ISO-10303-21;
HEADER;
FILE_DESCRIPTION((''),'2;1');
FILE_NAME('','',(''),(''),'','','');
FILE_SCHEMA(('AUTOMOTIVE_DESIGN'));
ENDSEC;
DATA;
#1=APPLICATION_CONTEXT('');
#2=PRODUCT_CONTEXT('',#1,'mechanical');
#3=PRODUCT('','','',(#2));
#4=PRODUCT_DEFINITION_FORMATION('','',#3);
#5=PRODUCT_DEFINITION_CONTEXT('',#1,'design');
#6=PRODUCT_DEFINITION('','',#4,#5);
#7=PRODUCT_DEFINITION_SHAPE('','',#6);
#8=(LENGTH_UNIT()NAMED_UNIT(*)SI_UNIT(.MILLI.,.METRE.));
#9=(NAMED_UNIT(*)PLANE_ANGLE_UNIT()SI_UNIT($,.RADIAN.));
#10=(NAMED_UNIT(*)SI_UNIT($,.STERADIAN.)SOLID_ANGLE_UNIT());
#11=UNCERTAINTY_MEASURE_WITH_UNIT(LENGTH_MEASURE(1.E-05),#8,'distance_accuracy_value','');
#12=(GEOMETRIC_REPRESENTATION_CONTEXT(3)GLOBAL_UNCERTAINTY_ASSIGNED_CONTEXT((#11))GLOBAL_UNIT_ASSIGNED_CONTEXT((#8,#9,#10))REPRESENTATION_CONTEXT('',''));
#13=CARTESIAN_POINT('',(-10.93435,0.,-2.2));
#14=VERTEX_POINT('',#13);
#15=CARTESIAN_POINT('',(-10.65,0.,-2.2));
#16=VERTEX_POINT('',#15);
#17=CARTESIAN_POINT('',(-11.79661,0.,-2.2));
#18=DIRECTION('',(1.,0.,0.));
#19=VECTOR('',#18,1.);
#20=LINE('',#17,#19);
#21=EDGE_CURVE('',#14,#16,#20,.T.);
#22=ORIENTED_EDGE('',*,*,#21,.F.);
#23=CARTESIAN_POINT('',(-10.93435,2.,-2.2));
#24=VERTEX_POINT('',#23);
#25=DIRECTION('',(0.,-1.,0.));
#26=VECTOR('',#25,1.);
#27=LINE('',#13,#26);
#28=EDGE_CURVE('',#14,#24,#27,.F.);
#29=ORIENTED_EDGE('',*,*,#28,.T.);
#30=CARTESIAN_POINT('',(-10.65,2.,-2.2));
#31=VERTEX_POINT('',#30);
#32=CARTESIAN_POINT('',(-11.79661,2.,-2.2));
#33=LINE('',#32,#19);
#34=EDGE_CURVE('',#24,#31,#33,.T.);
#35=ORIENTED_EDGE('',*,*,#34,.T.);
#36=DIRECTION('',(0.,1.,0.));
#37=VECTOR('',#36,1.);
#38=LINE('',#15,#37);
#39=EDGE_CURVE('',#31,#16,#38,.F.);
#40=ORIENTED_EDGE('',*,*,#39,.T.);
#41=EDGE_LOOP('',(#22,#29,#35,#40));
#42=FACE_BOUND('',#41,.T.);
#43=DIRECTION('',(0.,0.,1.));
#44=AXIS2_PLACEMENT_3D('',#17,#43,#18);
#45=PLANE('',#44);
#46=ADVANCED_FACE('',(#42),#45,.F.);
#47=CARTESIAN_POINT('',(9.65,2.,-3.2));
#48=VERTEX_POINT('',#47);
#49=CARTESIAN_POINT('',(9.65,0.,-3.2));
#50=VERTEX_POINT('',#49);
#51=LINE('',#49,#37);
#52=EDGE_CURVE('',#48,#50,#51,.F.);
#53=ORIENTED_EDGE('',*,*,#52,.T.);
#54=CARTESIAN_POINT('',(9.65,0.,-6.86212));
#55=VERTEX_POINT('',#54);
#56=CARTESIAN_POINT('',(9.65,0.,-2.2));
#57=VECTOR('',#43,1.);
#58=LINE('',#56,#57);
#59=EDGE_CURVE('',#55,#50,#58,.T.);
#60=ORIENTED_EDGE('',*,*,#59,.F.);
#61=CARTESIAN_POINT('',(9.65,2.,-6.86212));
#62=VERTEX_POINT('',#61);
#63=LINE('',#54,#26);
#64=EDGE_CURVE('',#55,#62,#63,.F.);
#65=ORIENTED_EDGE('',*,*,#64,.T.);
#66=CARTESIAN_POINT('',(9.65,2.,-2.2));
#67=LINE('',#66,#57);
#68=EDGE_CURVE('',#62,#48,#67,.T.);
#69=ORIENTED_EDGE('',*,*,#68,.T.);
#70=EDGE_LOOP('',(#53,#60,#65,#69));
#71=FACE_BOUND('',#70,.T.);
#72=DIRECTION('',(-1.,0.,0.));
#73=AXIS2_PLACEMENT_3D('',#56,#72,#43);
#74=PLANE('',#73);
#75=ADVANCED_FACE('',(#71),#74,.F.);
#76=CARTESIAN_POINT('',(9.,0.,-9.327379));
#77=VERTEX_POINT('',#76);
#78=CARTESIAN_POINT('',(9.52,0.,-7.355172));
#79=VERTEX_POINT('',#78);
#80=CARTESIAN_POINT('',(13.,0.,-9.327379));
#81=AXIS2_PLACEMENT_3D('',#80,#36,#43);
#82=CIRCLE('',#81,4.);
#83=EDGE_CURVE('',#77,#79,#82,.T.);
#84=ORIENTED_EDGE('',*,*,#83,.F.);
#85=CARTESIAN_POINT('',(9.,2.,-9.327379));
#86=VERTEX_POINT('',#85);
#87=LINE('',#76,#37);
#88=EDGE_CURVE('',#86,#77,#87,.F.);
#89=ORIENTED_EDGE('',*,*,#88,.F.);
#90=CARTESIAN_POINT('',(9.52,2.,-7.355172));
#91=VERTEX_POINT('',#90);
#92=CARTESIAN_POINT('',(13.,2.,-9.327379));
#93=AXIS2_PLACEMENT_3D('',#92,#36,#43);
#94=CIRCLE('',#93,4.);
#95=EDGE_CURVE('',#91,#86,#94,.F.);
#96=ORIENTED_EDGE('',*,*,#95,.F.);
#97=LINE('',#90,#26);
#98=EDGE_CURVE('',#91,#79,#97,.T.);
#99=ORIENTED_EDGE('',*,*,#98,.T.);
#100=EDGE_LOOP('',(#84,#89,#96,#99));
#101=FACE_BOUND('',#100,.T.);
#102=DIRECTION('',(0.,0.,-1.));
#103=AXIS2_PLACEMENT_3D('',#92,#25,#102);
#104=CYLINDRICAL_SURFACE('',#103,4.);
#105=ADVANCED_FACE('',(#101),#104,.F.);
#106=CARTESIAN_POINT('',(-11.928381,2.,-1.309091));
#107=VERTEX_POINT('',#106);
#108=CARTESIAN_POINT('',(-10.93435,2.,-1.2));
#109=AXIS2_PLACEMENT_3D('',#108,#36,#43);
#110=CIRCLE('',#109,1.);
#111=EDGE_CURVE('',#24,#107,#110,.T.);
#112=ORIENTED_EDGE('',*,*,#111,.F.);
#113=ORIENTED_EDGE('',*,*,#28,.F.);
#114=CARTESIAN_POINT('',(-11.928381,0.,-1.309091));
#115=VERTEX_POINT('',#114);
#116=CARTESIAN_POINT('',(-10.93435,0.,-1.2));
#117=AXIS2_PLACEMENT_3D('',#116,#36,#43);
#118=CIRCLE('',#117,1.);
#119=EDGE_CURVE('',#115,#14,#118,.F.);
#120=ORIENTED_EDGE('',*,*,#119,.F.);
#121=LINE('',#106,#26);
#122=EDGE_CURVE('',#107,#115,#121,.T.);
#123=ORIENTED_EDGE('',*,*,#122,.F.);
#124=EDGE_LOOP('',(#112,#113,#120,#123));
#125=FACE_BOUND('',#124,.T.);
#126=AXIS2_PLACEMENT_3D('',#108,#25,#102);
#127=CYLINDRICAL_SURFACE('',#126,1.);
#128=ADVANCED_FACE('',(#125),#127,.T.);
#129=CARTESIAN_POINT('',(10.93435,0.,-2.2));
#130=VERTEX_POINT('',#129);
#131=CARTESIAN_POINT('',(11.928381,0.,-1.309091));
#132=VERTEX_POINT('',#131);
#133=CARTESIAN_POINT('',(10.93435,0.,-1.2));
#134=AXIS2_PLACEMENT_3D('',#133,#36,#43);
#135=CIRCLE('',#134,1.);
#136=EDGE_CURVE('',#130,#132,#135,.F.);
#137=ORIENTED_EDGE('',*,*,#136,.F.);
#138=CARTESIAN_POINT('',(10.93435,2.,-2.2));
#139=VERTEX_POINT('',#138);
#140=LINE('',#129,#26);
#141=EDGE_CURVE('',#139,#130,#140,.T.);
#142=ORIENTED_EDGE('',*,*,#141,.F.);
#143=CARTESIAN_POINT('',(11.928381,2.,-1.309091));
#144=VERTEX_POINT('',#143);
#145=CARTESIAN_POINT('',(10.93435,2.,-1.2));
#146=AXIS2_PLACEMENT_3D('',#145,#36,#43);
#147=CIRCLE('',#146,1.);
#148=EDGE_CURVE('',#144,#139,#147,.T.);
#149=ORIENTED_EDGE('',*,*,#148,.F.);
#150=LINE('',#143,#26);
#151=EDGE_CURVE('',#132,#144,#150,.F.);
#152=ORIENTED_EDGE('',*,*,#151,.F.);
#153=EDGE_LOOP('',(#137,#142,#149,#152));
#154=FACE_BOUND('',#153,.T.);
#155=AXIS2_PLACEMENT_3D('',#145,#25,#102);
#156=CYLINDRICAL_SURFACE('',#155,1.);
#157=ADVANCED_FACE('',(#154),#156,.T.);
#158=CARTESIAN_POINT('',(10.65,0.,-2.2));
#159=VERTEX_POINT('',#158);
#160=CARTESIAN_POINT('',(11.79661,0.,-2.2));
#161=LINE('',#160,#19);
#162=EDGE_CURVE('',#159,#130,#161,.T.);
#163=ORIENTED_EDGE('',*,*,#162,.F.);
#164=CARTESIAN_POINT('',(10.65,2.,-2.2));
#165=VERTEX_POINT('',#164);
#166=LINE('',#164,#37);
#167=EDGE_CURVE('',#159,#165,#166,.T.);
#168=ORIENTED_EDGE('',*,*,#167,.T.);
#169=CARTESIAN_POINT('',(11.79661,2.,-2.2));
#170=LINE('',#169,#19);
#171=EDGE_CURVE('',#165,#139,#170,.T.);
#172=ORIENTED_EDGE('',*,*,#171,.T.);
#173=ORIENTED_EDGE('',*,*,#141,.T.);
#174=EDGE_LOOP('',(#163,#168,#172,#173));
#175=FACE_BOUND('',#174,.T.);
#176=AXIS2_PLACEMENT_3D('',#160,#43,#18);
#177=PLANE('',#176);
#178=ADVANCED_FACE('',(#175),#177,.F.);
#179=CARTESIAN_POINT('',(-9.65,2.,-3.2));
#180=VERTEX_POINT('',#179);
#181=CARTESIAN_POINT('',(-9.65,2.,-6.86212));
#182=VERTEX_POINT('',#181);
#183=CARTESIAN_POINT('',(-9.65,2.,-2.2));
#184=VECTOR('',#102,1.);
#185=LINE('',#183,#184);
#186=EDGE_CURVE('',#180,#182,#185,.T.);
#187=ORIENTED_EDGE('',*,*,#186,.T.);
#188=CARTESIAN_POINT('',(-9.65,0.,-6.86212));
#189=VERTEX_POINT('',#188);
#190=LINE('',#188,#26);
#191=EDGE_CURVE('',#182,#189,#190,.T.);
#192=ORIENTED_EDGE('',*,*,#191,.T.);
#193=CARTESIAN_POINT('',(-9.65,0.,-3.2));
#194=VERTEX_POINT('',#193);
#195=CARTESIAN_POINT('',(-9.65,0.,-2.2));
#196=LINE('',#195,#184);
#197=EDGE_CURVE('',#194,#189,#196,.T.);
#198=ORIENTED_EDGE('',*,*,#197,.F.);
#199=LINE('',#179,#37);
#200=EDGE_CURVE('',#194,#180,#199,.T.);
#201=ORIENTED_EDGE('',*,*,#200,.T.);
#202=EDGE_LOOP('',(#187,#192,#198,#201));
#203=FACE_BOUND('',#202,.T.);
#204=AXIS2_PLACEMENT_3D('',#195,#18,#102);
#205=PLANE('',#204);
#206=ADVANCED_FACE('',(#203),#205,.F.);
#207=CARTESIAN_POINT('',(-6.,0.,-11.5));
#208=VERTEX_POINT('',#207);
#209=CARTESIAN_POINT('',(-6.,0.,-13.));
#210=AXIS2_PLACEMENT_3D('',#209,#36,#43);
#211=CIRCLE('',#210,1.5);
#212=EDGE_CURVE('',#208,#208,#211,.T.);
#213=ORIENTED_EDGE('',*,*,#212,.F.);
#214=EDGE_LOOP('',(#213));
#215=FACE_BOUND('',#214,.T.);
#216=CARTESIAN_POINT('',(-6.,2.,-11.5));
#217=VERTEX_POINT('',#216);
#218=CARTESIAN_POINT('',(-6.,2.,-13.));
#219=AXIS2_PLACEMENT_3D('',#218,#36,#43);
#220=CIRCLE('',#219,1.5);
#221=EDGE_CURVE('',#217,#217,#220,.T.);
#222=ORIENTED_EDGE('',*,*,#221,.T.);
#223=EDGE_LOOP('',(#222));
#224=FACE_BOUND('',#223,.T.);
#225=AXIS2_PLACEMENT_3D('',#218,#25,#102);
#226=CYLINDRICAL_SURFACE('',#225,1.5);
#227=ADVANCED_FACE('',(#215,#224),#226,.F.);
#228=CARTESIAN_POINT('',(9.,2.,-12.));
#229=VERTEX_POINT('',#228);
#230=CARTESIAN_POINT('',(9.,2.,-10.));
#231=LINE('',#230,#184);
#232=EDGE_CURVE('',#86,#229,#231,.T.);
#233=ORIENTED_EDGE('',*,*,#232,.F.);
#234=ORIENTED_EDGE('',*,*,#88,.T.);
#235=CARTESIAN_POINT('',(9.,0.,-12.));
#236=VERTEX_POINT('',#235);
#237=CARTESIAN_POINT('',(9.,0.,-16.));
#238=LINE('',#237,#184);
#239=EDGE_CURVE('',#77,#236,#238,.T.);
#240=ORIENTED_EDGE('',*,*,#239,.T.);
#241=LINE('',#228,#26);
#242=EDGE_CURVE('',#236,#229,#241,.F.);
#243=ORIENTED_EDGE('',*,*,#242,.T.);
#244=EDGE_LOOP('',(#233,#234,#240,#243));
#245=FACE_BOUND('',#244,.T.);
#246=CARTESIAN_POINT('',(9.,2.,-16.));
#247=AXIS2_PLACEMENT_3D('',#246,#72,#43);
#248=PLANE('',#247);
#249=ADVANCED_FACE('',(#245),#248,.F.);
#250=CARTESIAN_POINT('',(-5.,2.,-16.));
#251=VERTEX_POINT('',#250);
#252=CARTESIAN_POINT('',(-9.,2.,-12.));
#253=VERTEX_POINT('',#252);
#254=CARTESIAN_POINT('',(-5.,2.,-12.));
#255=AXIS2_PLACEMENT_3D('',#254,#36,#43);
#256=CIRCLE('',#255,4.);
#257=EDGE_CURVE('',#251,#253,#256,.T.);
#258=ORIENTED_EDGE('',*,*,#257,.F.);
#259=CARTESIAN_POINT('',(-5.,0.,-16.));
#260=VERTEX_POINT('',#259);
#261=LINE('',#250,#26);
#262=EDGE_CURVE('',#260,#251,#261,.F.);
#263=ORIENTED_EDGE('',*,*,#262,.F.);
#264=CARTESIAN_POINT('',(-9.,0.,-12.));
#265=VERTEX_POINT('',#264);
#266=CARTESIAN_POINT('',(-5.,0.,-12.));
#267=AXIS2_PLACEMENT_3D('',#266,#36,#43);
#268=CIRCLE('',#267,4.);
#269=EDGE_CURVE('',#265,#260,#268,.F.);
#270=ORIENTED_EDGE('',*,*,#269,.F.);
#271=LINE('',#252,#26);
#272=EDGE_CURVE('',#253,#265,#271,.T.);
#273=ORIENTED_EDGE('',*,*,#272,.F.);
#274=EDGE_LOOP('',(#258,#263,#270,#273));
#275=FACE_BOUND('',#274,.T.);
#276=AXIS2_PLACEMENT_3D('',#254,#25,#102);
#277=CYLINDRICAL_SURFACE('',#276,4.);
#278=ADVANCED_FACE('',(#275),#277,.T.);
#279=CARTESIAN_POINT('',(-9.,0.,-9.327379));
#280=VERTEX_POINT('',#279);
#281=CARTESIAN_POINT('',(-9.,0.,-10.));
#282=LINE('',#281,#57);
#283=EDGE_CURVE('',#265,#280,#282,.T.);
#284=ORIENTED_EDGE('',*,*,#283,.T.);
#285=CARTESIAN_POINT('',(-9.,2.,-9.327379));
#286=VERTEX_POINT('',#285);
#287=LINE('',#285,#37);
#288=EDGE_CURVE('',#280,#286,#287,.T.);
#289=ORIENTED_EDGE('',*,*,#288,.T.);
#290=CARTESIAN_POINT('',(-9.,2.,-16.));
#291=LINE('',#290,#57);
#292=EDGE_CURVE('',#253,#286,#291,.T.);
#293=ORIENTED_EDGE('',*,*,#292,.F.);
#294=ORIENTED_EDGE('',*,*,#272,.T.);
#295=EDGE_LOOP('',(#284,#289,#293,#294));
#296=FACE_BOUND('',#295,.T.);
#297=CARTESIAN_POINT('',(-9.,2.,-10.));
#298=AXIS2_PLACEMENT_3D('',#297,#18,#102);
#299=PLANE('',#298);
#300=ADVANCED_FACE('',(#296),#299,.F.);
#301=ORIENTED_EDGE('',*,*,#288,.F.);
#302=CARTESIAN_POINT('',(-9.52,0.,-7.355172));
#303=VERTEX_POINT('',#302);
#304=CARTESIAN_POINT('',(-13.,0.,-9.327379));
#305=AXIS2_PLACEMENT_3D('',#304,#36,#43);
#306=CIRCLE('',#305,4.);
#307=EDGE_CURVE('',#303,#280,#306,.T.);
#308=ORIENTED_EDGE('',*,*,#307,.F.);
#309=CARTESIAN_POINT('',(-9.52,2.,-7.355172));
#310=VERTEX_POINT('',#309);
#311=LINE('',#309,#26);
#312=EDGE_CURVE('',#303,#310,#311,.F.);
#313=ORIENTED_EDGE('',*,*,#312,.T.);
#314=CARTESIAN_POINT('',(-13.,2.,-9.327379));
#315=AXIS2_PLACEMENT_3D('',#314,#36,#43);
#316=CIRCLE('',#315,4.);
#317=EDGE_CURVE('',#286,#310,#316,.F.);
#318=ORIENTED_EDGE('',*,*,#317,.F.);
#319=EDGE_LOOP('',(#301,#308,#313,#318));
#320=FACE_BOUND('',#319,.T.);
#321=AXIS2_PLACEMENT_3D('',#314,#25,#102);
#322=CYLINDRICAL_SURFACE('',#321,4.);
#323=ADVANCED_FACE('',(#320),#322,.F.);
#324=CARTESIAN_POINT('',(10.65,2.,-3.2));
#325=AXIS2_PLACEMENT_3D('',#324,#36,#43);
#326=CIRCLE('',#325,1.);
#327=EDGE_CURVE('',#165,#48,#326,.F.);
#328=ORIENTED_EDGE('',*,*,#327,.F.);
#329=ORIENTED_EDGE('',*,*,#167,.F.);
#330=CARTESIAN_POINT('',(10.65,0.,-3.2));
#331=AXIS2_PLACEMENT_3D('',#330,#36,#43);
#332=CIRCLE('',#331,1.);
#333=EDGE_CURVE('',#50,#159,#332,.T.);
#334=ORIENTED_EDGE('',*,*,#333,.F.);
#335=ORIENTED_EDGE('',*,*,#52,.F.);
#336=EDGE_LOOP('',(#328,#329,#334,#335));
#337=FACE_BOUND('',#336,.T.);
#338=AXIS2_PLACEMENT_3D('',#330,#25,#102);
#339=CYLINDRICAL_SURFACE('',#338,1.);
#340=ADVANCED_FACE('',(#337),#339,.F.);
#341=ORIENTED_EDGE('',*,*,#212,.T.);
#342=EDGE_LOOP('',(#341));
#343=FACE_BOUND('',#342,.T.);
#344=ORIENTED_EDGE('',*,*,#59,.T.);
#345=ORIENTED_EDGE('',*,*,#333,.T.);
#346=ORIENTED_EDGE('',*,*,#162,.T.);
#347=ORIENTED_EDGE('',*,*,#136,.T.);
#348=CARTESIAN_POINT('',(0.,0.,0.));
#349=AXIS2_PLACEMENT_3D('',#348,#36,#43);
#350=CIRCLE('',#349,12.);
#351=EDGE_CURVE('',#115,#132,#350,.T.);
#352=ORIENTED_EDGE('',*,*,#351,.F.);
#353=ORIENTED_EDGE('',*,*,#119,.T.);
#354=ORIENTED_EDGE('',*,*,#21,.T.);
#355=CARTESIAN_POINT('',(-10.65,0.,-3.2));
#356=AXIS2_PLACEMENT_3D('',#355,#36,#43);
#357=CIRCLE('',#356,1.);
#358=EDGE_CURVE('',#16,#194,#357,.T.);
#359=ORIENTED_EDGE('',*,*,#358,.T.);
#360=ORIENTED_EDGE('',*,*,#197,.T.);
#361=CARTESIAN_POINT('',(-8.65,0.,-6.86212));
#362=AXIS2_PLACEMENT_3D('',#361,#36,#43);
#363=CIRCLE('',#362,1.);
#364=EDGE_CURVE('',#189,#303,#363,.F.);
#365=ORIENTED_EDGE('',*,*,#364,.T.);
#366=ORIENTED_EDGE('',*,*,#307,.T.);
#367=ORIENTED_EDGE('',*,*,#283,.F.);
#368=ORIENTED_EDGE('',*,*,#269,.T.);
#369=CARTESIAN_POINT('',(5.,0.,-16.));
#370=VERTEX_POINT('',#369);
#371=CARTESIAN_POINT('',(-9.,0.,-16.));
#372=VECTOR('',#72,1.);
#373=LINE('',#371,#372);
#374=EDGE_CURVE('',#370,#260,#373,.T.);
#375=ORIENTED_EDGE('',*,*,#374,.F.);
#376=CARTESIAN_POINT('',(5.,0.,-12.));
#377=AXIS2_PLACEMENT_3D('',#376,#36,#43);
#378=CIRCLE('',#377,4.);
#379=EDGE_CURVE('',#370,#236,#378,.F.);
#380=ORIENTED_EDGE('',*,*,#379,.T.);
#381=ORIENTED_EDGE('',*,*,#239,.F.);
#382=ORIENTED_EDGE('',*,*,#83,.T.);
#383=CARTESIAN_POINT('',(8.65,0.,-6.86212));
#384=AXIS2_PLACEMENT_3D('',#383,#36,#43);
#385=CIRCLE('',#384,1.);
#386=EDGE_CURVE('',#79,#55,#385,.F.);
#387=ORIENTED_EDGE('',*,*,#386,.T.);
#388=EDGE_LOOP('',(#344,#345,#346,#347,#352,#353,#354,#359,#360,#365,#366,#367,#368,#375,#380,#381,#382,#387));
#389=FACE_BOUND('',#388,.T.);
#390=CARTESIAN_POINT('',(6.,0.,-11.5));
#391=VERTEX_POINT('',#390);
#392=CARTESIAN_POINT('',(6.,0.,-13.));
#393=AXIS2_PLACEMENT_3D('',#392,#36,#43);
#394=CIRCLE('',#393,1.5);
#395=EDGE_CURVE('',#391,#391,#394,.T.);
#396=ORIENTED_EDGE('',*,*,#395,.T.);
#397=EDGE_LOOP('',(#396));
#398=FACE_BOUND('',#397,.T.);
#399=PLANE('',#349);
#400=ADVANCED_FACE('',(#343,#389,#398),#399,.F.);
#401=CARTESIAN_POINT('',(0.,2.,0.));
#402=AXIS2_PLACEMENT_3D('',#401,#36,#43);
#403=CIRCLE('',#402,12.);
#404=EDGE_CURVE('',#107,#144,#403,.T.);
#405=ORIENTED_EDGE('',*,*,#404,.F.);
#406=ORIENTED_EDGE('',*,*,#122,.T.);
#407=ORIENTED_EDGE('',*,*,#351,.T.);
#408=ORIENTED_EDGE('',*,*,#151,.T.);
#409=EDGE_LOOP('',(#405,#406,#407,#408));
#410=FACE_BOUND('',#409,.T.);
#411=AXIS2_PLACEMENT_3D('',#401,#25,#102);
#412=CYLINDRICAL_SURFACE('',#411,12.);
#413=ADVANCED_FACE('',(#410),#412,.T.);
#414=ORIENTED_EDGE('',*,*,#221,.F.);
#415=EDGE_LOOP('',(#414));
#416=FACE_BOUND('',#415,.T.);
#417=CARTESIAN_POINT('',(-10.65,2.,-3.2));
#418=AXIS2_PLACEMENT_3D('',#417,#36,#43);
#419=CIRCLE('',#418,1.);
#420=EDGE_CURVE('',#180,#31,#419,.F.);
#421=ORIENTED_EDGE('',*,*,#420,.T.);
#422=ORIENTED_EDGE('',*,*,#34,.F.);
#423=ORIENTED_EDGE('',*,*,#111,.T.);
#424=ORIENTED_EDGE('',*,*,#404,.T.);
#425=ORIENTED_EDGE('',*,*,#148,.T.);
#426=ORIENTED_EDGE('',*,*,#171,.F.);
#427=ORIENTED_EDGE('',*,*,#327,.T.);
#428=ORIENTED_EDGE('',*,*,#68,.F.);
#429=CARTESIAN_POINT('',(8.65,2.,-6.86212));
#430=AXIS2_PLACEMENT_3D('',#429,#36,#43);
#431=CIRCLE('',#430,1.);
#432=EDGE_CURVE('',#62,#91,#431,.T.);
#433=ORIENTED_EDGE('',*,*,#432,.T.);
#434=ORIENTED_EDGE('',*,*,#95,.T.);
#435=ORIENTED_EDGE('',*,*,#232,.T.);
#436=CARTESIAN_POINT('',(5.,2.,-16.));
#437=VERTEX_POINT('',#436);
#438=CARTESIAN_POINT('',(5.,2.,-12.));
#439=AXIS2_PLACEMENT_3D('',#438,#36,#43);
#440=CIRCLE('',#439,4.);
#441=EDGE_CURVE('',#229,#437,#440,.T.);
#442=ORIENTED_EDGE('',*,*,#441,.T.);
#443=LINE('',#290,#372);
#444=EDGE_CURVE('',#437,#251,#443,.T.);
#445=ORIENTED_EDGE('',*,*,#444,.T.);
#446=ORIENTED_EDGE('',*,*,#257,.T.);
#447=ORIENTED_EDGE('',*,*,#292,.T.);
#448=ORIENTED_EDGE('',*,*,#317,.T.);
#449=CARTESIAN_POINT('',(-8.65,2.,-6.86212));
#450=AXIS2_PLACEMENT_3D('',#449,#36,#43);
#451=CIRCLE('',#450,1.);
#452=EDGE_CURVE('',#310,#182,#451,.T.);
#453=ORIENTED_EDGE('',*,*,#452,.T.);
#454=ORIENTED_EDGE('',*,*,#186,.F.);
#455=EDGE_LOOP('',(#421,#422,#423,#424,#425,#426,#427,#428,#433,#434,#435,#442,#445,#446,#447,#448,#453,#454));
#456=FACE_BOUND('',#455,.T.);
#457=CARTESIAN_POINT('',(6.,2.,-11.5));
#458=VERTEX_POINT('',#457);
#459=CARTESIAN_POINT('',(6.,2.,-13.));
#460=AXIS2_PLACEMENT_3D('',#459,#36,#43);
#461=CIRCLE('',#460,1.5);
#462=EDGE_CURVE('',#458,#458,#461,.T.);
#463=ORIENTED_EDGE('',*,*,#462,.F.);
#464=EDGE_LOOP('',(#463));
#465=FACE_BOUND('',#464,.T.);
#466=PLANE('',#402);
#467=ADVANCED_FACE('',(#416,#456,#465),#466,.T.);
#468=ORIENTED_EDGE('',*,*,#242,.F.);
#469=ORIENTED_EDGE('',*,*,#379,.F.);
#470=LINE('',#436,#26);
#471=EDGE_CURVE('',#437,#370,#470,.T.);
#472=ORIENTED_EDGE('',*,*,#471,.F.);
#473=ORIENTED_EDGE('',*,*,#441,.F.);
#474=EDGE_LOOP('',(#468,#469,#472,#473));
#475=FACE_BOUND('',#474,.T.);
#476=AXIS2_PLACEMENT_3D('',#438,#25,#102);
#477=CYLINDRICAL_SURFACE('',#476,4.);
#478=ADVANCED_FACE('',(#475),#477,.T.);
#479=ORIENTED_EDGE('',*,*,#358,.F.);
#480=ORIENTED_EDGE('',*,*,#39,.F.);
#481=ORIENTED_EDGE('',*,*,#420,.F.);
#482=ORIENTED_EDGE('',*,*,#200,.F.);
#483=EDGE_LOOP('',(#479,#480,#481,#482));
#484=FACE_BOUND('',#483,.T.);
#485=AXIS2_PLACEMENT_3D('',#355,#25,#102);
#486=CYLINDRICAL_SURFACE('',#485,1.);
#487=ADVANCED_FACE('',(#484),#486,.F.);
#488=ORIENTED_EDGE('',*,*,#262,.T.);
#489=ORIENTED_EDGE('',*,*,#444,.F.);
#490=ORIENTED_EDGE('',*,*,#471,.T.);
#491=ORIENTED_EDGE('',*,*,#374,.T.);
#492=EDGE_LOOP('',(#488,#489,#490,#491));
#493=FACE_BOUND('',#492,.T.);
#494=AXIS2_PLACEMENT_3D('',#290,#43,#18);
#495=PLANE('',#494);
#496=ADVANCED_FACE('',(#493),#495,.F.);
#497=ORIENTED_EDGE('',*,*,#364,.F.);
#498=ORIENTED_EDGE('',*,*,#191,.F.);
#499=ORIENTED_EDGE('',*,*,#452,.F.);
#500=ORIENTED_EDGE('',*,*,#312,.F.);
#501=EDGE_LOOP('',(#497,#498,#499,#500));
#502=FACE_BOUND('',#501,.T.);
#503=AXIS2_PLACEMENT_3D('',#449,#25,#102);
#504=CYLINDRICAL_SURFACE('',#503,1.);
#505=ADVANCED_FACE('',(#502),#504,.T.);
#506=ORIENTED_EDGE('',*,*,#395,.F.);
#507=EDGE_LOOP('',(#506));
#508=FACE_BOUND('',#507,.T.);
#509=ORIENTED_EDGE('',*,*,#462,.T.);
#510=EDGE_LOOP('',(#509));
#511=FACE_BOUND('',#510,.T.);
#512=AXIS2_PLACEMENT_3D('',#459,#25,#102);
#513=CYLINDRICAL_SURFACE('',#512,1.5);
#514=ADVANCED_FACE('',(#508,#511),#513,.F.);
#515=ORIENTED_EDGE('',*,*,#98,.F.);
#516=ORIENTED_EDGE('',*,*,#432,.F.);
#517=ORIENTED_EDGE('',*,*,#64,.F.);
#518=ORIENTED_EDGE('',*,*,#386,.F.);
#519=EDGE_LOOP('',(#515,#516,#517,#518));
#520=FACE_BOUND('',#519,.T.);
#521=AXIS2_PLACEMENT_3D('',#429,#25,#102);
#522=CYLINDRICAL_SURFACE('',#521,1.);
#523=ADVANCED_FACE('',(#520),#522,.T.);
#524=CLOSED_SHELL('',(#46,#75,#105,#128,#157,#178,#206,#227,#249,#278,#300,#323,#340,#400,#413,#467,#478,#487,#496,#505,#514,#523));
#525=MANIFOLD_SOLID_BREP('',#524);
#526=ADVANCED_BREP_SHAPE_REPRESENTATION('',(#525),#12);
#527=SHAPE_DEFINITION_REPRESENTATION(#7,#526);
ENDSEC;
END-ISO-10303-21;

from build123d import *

# Parameters (mm, degrees)
SKETCH1_R           = 1.5
BOSS_EXTRUDE1_DEPTH = 2
FILLET2_R           = 4
CUT_EXTRUDE1_DEPTH  = 21.099751242
FILLET3_R           = 1


with BuildPart() as part:
    # Sketch1 → Boss-Extrude1 (new body)
    with BuildSketch(Plane(origin=(0, 0, 0), x_dir=(1, 0, 0), z_dir=(0, 1, 0))):
        with BuildLine():
            Line((-9, 10), (-9, 7.937253933))
            ThreePointArc((-9, 7.937253933), (0, -12), (9, 7.937253933))
            Line((9, 7.937253933), (9, 10))
            Line((9, 10), (9, 16))
            Line((9, 16), (-9, 16))
            Line((-9, 16), (-9, 10))
        make_face()
        with Locations(Location((-6, 13, 0), (0, 0, 270))):
            Circle(SKETCH1_R, mode=Mode.SUBTRACT)
        with Locations(Location((6, 13, 0), (0, 0, 270))):
            Circle(SKETCH1_R, mode=Mode.SUBTRACT)
    extrude(amount=BOSS_EXTRUDE1_DEPTH)

    # Fillet2
    fillet2_edges = [part.edges().sort_by_distance(p)[0] for p in [
        (9, 1, -7.937253933),
        (-9, 1, -7.937253933),
        (-9, 1, -16),
        (9, 1, -16),
    ]]
    fillet(fillet2_edges, radius=FILLET2_R)

    # Sketch2 → Cut-Extrude1 (cut, through all)
    with BuildSketch(Plane(origin=(0, 2, 0), x_dir=(1, 0, 0), z_dir=(0, 1, 0))):
        with BuildLine():
            Line((-11.796609682, 2.2), (-9.65, 2.2))
            Line((-9.65, 2.2), (-9.65, 7.255695723))
            ThreePointArc((-9.65, 7.255695723), (-11.151781756, 4.909775878), (-11.796609682, 2.2))
        make_face()
        with BuildLine():
            Line((9.65, 2.2), (9.65, 7.255695723))
            ThreePointArc((9.65, 7.255695723), (11.151781756, 4.909775878), (11.796609682, 2.2))
            Line((11.796609682, 2.2), (9.65, 2.2))
        make_face()
    extrude(amount=-CUT_EXTRUDE1_DEPTH, mode=Mode.SUBTRACT)

    # Fillet3
    fillet3_edges = [part.edges().sort_by_distance(p)[0] for p in [
        (-9.65, 1, -7.141629754),
        (-11.796609682, 1, -2.2),
        (-9.65, 1, -2.2),
        (9.65, 1, -7.141629754),
        (9.65, 1, -2.2),
        (11.796609682, 1, -2.2),
    ]]
    fillet(fillet3_edges, radius=FILLET3_R)


solid = part.part
